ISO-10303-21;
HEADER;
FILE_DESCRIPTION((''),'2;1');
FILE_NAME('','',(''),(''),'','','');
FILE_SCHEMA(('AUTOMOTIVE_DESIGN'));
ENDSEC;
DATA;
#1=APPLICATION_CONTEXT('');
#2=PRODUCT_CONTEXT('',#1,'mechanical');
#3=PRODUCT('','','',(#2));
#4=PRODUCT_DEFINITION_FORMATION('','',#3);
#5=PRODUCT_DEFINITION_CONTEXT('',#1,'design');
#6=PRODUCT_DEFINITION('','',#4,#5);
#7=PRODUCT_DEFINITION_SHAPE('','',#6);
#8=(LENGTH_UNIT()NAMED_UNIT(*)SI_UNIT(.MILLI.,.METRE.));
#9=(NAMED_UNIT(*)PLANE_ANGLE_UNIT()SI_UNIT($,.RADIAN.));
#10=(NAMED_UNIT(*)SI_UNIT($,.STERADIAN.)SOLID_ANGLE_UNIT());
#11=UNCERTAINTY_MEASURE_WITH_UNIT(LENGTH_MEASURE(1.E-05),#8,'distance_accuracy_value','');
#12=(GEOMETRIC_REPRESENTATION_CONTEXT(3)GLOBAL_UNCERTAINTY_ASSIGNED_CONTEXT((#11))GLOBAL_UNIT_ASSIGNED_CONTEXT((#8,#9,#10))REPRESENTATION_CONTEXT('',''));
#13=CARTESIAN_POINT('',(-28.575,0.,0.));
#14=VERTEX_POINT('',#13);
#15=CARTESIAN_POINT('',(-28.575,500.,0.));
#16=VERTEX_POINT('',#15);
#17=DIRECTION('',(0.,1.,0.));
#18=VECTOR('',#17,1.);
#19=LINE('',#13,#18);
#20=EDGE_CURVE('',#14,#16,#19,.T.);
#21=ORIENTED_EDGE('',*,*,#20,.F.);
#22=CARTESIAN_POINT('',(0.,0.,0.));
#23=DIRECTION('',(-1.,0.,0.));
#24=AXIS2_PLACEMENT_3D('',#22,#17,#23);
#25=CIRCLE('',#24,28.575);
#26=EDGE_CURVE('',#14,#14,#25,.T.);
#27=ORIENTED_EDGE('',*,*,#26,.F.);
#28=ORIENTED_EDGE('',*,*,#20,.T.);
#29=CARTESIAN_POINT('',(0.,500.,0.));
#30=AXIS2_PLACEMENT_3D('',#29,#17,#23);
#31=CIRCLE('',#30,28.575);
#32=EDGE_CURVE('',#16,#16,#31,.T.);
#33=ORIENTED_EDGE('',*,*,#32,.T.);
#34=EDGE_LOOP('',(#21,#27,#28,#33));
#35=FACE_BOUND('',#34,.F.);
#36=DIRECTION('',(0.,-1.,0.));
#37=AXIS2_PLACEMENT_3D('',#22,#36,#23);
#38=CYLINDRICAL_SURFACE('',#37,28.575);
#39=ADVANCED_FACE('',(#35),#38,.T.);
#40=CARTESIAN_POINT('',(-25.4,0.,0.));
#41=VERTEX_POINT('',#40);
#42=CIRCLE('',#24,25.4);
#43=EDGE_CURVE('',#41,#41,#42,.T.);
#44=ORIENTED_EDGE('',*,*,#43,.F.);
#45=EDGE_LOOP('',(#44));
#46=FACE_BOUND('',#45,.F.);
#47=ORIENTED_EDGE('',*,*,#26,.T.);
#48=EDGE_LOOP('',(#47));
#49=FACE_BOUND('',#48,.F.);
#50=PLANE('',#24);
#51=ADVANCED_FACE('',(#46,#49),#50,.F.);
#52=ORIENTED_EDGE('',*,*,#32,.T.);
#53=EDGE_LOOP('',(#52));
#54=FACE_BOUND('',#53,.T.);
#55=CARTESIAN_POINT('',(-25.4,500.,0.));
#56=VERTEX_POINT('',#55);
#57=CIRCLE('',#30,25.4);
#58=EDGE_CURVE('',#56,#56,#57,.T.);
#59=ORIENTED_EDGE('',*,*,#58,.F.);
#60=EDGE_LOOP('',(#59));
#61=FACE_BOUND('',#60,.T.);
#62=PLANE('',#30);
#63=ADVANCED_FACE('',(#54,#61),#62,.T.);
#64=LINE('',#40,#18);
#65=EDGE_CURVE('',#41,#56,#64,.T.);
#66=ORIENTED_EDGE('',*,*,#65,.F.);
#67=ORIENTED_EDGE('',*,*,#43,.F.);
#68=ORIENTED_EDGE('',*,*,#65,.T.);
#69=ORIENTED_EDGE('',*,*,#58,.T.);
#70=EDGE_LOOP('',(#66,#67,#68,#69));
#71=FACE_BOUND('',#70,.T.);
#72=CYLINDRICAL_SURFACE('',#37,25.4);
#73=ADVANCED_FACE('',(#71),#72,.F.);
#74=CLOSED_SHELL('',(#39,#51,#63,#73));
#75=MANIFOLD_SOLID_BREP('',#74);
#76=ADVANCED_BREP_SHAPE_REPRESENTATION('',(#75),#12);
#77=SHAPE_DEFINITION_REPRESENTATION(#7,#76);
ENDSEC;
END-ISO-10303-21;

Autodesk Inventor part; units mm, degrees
ref_plane "YZ Plane" through (0, 0, 0) normal (1, 0, 0) x (0, 1, 0)
ref_plane "XZ Plane" through (0, 0, 0) normal (0, 1, 0) x (-1, 0, 0)
ref_plane "XY Plane" through (0, 0, 0) normal (0, 0, 1) x (1, 0, 0)
sketch "Sketch1" plane through (0, 0, 0) normal (0, 1, 0) x (-1, 0, 0)
  circle A0 centre (0, 0) radius 28.575
  circle A1 centre (0, 0) radius 25.4
  dimension "d4" = 50.8
  dimension "d5" = 57.15
extrude "Extrusion1" add sketch "Sketch1" along normal blind 500
properties part number "2inx50cm_pipe"
